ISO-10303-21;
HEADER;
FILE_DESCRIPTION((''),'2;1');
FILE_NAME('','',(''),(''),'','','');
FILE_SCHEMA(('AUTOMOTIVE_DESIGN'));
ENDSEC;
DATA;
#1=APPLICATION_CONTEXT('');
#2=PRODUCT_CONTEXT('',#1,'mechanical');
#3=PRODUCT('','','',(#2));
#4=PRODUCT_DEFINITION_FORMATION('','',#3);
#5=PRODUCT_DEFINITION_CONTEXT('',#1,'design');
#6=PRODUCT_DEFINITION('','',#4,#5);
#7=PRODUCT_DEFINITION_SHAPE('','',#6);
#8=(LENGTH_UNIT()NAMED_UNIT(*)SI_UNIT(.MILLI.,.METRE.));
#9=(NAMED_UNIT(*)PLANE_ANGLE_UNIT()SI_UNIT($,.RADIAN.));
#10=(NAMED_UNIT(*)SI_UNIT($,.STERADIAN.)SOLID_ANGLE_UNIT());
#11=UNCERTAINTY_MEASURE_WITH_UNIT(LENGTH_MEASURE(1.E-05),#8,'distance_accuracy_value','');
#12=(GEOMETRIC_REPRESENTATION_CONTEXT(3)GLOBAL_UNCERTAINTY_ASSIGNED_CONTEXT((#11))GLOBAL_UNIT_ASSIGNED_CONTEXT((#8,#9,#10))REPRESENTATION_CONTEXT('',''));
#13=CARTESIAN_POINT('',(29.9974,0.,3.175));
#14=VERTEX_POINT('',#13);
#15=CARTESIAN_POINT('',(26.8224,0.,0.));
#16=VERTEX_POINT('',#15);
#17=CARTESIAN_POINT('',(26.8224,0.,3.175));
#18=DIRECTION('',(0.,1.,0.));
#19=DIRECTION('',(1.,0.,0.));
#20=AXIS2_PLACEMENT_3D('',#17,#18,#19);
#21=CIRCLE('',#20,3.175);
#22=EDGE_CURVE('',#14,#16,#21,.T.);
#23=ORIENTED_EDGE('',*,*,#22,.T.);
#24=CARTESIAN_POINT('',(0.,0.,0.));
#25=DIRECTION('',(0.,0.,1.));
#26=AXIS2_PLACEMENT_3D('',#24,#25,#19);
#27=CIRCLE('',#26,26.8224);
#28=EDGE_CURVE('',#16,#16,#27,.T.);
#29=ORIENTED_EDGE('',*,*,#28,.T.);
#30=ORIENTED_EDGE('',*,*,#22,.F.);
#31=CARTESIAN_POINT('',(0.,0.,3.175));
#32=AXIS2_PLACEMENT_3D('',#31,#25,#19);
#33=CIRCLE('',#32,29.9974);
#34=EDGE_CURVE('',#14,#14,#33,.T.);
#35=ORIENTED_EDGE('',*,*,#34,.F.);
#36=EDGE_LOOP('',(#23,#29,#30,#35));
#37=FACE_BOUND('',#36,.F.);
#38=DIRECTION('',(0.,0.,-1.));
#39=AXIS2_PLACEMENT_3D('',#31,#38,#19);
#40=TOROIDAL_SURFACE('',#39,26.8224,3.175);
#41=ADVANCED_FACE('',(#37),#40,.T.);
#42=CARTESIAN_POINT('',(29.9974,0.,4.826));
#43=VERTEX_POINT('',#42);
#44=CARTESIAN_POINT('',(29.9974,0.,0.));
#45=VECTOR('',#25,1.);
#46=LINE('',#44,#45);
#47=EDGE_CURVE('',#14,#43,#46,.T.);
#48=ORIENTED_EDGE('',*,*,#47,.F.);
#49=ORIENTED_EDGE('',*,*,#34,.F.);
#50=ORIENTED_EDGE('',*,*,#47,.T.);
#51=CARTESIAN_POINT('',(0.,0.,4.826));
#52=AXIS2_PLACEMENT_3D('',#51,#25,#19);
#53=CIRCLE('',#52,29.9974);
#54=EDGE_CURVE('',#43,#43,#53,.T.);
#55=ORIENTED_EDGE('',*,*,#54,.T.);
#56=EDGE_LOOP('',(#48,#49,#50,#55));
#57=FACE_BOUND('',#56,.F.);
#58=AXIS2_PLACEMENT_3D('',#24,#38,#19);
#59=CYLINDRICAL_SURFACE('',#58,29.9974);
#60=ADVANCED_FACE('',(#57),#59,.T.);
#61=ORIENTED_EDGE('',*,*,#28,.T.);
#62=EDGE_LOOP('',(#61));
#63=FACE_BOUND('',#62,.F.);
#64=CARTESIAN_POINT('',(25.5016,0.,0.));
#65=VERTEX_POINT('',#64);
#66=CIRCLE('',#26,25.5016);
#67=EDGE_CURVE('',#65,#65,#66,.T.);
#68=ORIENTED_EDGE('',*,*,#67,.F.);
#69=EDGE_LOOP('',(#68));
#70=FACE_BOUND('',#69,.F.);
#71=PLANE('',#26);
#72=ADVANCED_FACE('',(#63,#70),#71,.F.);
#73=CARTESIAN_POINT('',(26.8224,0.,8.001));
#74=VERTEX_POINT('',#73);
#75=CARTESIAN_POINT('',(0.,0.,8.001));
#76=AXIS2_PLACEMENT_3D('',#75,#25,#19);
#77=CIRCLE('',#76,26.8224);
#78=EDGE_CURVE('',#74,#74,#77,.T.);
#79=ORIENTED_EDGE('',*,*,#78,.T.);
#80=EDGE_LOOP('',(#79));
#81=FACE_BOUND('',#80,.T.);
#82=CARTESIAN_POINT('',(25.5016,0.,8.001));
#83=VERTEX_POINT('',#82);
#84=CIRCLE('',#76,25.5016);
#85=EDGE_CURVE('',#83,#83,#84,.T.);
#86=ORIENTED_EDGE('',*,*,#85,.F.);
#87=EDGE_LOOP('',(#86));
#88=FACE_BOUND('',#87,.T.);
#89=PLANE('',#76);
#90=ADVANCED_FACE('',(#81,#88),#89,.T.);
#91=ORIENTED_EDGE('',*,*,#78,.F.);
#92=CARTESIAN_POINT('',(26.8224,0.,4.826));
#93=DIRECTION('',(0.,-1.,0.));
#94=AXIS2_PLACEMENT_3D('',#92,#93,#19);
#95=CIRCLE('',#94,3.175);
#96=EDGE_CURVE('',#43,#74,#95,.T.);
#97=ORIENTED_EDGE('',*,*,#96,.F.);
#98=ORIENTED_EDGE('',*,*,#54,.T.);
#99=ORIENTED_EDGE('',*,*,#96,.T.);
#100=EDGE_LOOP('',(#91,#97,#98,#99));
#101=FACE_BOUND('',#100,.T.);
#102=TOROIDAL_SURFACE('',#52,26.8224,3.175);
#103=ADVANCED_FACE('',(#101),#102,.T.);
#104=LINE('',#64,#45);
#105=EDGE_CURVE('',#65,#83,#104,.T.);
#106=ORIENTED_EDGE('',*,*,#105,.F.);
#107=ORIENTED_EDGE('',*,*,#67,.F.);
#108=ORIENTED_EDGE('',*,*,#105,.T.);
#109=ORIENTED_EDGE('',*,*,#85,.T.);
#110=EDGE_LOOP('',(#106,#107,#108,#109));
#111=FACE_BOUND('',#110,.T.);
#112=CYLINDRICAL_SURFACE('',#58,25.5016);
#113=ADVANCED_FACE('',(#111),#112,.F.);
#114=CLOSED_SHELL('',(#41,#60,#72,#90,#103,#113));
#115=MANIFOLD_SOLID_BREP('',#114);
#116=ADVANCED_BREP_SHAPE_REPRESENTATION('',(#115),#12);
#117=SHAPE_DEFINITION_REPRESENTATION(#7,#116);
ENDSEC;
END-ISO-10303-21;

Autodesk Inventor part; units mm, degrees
ref_plane "YZ Plane" through (0, 0, 0) normal (1, 0, 0) x (0, 1, 0)
ref_plane "XZ Plane" through (0, 0, 0) normal (0, 1, 0) x (-1, 0, 0)
ref_plane "XY Plane" through (0, 0, 0) normal (0, 0, 1) x (1, 0, 0)
sketch "Sketch1" plane through (0, 0, 0) normal (0, 0, 1) x (1, 0, 0)
  circle A0 centre (0, 0) radius 29.9974
  circle A1 centre (0, 0) radius 25.5016
  dimension "d0" = 59.9948
  dimension "d2" = 51.0032
extrude "Extrusion1" add sketch "Sketch1" along normal blind 8.001
fillet "Fillet1" radius 3.175 2 edges at (-29.9974, 0, 8.001) (-29.9974, 0, 0)
properties part number "Wheel_Tire" material "Rubber, Silicone"
